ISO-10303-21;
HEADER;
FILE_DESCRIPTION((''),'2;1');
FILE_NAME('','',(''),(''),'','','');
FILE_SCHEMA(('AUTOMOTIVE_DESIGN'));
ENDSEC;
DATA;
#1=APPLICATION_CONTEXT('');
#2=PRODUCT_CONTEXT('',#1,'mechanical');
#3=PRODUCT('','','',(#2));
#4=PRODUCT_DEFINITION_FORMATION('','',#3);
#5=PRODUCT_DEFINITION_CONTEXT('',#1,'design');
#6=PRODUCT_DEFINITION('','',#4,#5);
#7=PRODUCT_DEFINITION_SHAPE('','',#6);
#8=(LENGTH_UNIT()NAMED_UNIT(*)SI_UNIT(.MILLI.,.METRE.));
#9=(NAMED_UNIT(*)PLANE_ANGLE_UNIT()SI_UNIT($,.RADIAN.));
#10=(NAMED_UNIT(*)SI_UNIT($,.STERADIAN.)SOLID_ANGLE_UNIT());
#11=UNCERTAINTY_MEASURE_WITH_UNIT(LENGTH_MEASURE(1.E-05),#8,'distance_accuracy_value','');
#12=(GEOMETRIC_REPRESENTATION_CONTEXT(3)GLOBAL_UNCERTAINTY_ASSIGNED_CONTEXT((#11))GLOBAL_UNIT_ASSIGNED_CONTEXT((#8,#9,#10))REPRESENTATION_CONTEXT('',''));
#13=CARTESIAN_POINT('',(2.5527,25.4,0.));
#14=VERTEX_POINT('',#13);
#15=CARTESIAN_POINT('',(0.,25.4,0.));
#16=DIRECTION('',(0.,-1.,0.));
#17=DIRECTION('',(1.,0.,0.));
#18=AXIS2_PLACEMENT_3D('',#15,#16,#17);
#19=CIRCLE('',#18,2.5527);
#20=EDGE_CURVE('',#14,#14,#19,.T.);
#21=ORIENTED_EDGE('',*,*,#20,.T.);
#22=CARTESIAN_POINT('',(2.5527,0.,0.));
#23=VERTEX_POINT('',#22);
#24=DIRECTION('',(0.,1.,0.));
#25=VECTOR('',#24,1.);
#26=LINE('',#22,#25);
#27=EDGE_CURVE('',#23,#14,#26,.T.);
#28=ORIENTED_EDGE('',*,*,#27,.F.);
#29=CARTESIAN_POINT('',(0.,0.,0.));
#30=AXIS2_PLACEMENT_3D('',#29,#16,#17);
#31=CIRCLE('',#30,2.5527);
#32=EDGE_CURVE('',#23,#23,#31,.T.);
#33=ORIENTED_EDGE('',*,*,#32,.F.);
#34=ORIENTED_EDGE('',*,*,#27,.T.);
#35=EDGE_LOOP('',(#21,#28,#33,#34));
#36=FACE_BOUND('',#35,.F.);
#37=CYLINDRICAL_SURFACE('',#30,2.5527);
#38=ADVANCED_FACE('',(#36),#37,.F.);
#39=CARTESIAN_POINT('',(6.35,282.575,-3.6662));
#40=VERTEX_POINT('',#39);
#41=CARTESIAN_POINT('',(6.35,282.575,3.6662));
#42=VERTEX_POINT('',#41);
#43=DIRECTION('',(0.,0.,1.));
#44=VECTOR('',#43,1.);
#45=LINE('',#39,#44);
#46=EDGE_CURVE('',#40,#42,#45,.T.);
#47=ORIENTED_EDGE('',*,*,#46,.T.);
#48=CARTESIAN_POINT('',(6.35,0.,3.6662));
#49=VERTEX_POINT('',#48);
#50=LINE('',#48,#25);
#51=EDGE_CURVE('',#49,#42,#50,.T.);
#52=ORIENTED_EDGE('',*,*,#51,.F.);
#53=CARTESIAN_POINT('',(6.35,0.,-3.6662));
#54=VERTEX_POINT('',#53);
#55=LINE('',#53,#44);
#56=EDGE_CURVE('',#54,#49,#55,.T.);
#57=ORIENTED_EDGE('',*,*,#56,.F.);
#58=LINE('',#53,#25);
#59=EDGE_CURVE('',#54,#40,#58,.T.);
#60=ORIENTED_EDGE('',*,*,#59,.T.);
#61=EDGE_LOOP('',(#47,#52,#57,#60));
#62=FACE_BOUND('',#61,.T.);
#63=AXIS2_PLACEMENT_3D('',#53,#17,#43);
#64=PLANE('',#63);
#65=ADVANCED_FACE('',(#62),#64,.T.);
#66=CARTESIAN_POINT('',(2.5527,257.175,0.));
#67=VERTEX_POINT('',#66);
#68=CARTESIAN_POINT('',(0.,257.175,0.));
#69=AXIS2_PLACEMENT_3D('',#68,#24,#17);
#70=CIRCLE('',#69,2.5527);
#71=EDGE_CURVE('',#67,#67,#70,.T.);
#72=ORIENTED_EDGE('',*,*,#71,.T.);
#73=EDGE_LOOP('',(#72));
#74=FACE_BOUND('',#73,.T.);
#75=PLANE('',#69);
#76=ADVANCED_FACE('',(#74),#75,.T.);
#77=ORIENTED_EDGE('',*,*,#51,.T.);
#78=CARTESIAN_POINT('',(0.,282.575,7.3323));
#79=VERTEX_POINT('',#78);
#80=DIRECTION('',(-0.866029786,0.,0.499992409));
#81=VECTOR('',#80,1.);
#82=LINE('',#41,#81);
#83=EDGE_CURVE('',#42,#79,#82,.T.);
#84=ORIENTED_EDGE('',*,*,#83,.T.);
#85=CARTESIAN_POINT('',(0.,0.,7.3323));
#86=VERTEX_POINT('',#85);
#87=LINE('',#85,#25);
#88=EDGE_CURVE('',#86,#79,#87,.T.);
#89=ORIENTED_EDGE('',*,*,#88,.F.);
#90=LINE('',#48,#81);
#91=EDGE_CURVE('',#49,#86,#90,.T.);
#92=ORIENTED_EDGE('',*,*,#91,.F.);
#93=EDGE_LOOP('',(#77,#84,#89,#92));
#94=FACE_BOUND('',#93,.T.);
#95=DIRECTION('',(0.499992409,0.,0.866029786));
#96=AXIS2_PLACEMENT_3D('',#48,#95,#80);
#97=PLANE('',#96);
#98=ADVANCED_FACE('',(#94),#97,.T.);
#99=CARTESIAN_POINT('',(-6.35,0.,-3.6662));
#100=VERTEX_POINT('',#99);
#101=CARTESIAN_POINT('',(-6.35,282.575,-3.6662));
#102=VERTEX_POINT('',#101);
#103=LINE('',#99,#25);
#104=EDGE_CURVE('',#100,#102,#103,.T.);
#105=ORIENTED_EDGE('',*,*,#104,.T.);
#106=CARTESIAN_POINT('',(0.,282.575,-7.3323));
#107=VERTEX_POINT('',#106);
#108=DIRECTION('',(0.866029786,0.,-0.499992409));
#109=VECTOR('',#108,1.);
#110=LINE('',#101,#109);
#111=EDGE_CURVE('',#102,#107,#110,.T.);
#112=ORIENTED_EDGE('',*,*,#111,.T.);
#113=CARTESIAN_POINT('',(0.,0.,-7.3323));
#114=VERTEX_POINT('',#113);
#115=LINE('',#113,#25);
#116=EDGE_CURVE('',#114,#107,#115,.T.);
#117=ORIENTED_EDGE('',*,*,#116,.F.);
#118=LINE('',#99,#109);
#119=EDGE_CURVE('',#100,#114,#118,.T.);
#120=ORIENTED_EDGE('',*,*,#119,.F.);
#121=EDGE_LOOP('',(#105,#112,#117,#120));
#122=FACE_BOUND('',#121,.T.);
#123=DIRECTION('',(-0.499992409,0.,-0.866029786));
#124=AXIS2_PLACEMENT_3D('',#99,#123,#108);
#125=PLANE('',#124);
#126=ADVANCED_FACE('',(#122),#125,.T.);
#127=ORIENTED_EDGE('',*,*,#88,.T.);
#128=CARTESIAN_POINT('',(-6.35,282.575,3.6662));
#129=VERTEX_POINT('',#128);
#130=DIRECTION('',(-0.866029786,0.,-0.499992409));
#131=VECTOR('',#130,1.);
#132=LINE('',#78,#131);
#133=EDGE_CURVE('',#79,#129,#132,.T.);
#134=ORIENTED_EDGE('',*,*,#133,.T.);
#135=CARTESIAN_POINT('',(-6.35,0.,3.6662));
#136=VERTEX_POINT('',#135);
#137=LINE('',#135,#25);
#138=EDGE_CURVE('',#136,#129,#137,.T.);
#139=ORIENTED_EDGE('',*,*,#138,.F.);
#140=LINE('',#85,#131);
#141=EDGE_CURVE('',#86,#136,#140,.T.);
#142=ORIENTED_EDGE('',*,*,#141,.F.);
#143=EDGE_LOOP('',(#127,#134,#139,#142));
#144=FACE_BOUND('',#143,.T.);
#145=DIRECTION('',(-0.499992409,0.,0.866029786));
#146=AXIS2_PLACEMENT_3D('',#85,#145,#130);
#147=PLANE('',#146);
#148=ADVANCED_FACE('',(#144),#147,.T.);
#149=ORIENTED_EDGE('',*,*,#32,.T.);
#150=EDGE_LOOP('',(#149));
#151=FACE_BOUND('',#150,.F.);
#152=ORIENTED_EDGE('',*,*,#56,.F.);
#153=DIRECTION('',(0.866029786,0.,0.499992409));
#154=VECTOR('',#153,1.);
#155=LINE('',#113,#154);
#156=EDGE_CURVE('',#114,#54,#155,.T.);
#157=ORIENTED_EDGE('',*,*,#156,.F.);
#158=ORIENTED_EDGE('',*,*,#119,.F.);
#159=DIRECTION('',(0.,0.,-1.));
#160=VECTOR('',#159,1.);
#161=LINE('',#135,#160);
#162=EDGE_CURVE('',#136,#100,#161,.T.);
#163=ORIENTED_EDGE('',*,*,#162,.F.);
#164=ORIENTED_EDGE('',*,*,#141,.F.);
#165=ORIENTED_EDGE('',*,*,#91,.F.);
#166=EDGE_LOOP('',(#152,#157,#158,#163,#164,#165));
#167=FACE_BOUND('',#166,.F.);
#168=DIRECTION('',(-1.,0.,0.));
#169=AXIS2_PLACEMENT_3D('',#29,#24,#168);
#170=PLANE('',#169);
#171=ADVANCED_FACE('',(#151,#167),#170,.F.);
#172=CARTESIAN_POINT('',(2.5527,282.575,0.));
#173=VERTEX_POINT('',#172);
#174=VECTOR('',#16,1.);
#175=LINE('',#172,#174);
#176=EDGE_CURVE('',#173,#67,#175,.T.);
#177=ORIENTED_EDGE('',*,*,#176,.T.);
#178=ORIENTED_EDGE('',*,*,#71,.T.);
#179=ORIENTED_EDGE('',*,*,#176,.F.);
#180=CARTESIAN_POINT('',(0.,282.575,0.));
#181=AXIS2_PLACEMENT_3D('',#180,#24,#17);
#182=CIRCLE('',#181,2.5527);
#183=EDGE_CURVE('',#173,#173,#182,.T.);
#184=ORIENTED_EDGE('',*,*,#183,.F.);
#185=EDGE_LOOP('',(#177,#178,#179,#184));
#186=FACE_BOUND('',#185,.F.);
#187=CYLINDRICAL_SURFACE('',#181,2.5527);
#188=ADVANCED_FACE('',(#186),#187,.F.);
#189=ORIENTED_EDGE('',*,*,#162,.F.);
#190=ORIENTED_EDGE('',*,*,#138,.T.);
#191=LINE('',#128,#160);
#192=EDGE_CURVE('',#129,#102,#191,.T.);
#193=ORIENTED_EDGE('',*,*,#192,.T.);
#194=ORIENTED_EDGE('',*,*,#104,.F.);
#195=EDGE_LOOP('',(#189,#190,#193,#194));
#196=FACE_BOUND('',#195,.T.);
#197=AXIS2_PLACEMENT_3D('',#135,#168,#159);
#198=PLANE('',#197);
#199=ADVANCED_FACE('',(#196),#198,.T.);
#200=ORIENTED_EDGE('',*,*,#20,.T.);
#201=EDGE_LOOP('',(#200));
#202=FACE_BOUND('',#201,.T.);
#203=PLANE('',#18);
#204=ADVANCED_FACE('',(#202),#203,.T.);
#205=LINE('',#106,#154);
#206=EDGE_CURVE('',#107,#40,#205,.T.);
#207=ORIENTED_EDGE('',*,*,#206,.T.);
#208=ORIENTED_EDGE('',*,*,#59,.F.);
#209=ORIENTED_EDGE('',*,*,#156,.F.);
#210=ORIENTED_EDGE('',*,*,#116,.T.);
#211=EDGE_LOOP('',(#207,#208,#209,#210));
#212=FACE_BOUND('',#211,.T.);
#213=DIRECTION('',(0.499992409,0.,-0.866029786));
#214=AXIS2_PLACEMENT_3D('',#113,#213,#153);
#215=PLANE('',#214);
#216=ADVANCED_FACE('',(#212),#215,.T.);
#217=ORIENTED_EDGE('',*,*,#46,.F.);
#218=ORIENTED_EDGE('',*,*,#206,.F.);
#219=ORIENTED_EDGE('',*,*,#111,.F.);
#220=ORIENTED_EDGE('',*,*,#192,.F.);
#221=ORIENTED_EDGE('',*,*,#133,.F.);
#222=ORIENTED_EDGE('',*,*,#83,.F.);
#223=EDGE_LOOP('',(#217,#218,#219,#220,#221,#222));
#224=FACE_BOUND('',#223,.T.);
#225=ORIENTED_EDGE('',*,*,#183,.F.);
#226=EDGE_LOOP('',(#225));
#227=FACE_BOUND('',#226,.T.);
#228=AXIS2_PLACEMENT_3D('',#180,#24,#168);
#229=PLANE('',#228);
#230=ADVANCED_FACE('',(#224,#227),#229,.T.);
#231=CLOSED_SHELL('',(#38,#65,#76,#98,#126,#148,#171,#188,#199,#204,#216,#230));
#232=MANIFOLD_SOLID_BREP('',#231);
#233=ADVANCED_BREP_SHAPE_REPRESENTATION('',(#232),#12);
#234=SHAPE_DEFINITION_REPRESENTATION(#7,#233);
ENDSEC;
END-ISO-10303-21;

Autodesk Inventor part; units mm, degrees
ref_plane "YZ Plane" through (0, 0, 0) normal (1, 0, 0) x (0, 1, 0)
ref_plane "XZ Plane" through (0, 0, 0) normal (0, 1, 0) x (-1, 0, 0)
ref_plane "XY Plane" through (0, 0, 0) normal (0, 0, 1) x (1, 0, 0)
sketch "Sketch1" plane through (0, 0, 0) normal (0, 1, 0) x (-1, 0, 0)
  line L0 (-6.35, -3.6662) -> (-6.35, 3.6662)
  line L1 (-6.35, 3.6662) -> (0, 7.3323)
  line L2 (0, 7.3323) -> (6.35, 3.6662)
  line L3 (6.35, 3.6662) -> (6.35, -3.6662)
  line L4 (6.35, -3.6662) -> (0, -7.3323)
  line L5 (0, -7.3323) -> (-6.35, -3.6662)
  point P0 (0, 0)
  point P1 (0, 0)
  dimension "d0" = 12.7
extrude "Extrusion1" add sketch "Sketch1" along normal blind 282.575
sketch "Sketch2" plane through (0, 282.575, 0) normal (0, 1, 0) x (1, 0, 0)
  circle A0 centre (0, 0) radius 2.5527
  dimension "d4" = 5.1054
extrude "Extrusion2" cut sketch "Sketch2" against normal blind 25.4
sketch "Sketch3" plane through (0, 0, 0) normal (0, -1, 0) x (1, 0, 0)
  circle A0 centre (0, 0) radius 2.5527
  dimension "d7" = 5.1054
extrude "Extrusion3" cut sketch "Sketch3" against normal blind 25.4
properties part number "INDX_018_FeedFrontHex" material "Aluminum 6061"
